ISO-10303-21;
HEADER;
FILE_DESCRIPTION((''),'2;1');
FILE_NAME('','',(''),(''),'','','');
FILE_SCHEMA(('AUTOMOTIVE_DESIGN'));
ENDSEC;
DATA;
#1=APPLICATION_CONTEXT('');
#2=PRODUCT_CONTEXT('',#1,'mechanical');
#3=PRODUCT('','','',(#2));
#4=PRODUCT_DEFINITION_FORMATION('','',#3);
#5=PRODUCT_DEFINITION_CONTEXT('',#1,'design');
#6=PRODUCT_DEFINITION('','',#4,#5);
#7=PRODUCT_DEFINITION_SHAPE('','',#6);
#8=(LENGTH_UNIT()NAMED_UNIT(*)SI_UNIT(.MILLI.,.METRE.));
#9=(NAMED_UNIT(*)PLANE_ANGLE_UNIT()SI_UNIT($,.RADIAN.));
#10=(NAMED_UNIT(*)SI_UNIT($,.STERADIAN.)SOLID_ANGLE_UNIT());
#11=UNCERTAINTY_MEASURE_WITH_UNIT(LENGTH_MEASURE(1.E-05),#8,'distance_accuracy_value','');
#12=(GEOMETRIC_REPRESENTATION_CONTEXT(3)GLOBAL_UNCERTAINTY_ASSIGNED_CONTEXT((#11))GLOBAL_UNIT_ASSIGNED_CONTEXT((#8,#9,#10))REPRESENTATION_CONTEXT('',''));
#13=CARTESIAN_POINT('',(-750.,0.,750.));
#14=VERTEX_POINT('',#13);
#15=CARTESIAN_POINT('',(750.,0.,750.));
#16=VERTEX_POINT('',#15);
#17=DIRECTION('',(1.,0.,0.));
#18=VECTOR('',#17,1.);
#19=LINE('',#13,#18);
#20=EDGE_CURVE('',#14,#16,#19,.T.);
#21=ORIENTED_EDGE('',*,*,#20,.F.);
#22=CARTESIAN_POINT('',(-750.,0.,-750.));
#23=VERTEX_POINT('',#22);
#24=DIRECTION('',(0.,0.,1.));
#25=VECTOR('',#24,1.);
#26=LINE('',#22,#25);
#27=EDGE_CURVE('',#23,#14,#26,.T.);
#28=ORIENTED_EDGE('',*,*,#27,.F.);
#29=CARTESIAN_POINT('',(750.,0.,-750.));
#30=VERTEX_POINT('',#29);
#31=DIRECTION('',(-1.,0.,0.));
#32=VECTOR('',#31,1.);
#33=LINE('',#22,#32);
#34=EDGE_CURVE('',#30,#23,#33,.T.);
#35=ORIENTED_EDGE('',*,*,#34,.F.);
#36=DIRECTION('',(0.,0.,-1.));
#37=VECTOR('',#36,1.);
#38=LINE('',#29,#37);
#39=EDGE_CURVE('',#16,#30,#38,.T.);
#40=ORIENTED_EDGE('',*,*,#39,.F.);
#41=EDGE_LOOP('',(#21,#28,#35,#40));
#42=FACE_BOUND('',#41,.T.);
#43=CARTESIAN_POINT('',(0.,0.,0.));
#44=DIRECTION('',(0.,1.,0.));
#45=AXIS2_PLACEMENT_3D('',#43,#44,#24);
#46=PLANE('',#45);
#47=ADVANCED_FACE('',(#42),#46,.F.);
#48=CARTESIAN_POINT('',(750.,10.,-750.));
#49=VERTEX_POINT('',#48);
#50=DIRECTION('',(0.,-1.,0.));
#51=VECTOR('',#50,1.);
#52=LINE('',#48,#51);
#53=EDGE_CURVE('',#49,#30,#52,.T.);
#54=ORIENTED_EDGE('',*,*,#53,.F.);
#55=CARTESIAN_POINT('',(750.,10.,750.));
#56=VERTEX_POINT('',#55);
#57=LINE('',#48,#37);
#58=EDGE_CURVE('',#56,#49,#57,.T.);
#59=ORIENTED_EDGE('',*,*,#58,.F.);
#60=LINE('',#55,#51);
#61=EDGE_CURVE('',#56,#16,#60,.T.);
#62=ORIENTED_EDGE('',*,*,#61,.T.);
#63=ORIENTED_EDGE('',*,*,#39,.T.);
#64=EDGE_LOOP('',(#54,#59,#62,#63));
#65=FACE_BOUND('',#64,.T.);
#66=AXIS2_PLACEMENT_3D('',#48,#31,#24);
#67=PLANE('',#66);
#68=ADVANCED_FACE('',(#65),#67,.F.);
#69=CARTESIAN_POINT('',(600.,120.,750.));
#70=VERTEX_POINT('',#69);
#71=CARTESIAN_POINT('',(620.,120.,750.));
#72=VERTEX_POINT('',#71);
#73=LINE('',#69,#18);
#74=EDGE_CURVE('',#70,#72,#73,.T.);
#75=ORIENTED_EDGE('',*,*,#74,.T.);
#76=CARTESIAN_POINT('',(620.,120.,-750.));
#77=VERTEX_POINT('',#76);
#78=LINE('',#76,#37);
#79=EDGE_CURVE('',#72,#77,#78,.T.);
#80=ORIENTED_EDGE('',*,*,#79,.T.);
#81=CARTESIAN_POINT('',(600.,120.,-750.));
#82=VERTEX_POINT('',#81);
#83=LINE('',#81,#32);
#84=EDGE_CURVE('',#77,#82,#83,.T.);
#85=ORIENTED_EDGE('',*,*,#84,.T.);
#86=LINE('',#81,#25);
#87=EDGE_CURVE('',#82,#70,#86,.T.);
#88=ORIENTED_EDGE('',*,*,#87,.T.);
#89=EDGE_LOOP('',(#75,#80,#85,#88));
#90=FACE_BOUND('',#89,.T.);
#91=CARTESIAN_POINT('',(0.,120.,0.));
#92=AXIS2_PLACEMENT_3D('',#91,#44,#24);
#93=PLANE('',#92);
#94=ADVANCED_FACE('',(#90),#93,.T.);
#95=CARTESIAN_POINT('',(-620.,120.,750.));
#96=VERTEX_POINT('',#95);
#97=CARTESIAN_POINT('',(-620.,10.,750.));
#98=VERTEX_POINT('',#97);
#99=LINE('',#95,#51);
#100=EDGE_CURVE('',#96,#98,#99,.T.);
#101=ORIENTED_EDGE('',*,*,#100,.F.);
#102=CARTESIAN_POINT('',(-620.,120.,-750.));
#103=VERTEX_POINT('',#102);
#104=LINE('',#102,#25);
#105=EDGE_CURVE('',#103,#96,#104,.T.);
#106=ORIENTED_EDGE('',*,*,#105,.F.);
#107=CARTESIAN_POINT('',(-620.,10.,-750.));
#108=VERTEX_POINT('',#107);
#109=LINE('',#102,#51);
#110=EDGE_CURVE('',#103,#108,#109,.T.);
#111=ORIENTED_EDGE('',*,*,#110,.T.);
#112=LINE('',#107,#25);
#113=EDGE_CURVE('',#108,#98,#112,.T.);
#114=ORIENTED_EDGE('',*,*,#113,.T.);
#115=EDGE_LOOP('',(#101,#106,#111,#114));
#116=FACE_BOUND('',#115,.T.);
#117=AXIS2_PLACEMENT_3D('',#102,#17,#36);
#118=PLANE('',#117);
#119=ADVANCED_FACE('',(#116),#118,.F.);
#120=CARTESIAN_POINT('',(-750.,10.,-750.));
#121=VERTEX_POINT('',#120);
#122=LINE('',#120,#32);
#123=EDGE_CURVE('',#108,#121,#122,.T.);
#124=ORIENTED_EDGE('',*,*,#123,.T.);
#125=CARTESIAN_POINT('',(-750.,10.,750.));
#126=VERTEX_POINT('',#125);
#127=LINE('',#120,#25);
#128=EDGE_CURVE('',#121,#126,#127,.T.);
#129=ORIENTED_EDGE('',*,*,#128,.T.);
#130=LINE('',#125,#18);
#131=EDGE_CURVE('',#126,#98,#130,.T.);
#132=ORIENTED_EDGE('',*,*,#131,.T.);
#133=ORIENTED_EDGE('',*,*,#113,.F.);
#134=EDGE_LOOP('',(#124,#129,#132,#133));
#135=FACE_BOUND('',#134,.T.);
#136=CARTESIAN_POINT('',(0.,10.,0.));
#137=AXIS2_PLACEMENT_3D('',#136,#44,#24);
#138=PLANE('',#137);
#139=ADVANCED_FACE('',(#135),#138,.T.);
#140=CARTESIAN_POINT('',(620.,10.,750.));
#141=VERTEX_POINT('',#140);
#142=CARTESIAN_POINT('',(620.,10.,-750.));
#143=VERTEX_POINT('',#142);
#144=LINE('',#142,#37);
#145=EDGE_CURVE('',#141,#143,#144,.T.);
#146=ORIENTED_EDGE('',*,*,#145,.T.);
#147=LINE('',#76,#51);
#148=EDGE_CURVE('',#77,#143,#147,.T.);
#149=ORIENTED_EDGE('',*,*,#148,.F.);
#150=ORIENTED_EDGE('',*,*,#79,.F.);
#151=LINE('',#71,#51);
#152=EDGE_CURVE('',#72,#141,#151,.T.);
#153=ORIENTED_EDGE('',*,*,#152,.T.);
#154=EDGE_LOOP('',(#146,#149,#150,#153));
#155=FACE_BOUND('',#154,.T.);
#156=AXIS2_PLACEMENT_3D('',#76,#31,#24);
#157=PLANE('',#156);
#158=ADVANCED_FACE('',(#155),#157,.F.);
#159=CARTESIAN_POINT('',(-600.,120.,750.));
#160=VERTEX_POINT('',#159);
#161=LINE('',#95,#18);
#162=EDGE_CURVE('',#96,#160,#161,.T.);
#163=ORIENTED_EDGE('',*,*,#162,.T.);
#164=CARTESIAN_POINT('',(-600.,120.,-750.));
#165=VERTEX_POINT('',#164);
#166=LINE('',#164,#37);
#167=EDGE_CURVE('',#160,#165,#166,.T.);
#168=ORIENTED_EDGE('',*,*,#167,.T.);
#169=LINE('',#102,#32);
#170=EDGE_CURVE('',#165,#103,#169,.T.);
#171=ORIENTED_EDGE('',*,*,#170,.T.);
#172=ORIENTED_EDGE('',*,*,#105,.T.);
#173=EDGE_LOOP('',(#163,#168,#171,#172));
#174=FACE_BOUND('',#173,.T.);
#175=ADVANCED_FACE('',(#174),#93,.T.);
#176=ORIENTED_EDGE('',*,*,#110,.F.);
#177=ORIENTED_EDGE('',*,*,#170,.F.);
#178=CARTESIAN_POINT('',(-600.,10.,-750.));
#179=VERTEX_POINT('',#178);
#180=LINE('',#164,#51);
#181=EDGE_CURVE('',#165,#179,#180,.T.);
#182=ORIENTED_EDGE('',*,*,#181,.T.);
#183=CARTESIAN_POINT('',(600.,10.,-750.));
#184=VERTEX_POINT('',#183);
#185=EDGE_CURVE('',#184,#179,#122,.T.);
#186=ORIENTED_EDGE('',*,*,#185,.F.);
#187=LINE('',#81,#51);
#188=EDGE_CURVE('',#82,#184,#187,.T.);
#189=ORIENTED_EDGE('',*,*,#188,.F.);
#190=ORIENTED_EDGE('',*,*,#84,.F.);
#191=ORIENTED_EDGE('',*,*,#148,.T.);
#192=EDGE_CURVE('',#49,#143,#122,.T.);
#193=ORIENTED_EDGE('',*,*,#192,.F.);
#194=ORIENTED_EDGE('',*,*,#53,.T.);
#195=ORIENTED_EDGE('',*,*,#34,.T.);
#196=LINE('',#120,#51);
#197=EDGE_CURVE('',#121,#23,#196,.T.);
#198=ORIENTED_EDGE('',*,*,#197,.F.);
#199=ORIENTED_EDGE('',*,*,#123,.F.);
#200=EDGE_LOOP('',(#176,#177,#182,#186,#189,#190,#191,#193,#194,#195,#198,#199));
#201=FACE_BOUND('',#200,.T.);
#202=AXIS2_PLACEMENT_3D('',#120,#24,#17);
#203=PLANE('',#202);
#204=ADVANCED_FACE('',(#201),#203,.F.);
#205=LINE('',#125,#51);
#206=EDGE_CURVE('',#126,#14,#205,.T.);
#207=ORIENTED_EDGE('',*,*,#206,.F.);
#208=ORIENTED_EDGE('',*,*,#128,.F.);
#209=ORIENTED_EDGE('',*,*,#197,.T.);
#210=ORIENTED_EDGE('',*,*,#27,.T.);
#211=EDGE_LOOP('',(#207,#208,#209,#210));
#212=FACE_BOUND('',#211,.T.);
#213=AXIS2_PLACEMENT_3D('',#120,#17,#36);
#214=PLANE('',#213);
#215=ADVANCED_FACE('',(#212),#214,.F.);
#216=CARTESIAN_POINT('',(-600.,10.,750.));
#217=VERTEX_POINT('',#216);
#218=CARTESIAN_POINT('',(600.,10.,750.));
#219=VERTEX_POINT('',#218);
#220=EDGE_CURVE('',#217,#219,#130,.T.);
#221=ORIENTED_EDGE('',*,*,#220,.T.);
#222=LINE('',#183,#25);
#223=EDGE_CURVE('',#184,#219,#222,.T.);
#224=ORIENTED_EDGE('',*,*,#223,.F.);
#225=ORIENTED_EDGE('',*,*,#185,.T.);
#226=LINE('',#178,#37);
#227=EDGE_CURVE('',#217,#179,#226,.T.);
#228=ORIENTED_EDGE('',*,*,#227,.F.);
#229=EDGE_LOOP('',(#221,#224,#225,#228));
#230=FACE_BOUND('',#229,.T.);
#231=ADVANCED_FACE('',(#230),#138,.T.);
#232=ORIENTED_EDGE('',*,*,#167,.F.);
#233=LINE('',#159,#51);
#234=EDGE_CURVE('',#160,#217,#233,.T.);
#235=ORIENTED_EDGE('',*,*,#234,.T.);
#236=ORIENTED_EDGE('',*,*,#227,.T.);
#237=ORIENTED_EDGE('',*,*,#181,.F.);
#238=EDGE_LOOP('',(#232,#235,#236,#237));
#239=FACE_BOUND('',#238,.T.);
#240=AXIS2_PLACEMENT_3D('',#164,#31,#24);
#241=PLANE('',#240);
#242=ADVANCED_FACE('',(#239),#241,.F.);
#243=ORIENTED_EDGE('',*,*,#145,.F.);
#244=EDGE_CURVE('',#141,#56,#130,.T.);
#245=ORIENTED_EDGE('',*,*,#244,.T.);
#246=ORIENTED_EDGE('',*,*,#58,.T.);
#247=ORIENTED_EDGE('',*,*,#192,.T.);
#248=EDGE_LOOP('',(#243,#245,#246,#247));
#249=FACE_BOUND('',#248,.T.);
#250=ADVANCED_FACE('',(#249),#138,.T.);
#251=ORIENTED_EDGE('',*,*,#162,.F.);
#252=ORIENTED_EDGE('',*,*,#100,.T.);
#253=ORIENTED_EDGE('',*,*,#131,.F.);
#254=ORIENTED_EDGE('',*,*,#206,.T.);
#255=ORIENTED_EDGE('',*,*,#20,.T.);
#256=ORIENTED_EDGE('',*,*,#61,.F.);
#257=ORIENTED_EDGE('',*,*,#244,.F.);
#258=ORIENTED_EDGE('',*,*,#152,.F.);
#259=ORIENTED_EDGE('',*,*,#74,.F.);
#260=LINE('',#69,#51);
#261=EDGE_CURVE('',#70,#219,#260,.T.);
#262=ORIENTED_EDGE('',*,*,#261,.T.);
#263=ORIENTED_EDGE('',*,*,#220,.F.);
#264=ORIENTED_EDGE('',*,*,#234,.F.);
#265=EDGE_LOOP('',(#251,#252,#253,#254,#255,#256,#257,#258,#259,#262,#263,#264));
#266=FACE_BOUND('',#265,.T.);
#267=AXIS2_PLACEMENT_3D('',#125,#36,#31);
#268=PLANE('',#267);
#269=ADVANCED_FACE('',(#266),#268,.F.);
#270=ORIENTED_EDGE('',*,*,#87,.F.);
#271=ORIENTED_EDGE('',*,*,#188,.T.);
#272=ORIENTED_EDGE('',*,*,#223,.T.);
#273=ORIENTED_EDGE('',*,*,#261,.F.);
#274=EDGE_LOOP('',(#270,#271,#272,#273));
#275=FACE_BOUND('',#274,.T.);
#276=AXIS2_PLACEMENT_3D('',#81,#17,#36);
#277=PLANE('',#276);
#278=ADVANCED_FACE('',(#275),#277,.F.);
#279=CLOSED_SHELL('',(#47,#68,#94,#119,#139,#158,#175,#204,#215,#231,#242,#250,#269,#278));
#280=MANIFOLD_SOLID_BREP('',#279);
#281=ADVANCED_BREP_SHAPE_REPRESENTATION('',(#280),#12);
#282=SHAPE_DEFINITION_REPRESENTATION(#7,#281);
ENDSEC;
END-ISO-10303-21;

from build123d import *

# Parameters (mm, degrees)
SKETCH2_W           = 1500
SKETCH2_H           = 1500
BOSS_EXTRUDE1_DEPTH = 10
SKETCH3_W           = 20
SKETCH3_H           = 1500
BOSS_EXTRUDE2_DEPTH = 110


with BuildPart() as part:
    # Sketch2 → Boss-Extrude1 (new body)
    with BuildSketch(Plane(origin=(0, 0, 0), x_dir=(1, 0, 0), z_dir=(0, 1, 0))):
        Rectangle(SKETCH2_W, SKETCH2_H)
    extrude(amount=BOSS_EXTRUDE1_DEPTH)

    # Sketch3 → Boss-Extrude2 (add)
    with BuildSketch(Plane(origin=(0, 10, 0), x_dir=(1, 0, 0), z_dir=(0, 1, 0))):
        with Locations((-610, 0)):
            Rectangle(SKETCH3_W, SKETCH3_H)
        with Locations((610, 0)):
            Rectangle(SKETCH3_W, SKETCH3_H)
    extrude(amount=BOSS_EXTRUDE2_DEPTH)


solid = part.part
